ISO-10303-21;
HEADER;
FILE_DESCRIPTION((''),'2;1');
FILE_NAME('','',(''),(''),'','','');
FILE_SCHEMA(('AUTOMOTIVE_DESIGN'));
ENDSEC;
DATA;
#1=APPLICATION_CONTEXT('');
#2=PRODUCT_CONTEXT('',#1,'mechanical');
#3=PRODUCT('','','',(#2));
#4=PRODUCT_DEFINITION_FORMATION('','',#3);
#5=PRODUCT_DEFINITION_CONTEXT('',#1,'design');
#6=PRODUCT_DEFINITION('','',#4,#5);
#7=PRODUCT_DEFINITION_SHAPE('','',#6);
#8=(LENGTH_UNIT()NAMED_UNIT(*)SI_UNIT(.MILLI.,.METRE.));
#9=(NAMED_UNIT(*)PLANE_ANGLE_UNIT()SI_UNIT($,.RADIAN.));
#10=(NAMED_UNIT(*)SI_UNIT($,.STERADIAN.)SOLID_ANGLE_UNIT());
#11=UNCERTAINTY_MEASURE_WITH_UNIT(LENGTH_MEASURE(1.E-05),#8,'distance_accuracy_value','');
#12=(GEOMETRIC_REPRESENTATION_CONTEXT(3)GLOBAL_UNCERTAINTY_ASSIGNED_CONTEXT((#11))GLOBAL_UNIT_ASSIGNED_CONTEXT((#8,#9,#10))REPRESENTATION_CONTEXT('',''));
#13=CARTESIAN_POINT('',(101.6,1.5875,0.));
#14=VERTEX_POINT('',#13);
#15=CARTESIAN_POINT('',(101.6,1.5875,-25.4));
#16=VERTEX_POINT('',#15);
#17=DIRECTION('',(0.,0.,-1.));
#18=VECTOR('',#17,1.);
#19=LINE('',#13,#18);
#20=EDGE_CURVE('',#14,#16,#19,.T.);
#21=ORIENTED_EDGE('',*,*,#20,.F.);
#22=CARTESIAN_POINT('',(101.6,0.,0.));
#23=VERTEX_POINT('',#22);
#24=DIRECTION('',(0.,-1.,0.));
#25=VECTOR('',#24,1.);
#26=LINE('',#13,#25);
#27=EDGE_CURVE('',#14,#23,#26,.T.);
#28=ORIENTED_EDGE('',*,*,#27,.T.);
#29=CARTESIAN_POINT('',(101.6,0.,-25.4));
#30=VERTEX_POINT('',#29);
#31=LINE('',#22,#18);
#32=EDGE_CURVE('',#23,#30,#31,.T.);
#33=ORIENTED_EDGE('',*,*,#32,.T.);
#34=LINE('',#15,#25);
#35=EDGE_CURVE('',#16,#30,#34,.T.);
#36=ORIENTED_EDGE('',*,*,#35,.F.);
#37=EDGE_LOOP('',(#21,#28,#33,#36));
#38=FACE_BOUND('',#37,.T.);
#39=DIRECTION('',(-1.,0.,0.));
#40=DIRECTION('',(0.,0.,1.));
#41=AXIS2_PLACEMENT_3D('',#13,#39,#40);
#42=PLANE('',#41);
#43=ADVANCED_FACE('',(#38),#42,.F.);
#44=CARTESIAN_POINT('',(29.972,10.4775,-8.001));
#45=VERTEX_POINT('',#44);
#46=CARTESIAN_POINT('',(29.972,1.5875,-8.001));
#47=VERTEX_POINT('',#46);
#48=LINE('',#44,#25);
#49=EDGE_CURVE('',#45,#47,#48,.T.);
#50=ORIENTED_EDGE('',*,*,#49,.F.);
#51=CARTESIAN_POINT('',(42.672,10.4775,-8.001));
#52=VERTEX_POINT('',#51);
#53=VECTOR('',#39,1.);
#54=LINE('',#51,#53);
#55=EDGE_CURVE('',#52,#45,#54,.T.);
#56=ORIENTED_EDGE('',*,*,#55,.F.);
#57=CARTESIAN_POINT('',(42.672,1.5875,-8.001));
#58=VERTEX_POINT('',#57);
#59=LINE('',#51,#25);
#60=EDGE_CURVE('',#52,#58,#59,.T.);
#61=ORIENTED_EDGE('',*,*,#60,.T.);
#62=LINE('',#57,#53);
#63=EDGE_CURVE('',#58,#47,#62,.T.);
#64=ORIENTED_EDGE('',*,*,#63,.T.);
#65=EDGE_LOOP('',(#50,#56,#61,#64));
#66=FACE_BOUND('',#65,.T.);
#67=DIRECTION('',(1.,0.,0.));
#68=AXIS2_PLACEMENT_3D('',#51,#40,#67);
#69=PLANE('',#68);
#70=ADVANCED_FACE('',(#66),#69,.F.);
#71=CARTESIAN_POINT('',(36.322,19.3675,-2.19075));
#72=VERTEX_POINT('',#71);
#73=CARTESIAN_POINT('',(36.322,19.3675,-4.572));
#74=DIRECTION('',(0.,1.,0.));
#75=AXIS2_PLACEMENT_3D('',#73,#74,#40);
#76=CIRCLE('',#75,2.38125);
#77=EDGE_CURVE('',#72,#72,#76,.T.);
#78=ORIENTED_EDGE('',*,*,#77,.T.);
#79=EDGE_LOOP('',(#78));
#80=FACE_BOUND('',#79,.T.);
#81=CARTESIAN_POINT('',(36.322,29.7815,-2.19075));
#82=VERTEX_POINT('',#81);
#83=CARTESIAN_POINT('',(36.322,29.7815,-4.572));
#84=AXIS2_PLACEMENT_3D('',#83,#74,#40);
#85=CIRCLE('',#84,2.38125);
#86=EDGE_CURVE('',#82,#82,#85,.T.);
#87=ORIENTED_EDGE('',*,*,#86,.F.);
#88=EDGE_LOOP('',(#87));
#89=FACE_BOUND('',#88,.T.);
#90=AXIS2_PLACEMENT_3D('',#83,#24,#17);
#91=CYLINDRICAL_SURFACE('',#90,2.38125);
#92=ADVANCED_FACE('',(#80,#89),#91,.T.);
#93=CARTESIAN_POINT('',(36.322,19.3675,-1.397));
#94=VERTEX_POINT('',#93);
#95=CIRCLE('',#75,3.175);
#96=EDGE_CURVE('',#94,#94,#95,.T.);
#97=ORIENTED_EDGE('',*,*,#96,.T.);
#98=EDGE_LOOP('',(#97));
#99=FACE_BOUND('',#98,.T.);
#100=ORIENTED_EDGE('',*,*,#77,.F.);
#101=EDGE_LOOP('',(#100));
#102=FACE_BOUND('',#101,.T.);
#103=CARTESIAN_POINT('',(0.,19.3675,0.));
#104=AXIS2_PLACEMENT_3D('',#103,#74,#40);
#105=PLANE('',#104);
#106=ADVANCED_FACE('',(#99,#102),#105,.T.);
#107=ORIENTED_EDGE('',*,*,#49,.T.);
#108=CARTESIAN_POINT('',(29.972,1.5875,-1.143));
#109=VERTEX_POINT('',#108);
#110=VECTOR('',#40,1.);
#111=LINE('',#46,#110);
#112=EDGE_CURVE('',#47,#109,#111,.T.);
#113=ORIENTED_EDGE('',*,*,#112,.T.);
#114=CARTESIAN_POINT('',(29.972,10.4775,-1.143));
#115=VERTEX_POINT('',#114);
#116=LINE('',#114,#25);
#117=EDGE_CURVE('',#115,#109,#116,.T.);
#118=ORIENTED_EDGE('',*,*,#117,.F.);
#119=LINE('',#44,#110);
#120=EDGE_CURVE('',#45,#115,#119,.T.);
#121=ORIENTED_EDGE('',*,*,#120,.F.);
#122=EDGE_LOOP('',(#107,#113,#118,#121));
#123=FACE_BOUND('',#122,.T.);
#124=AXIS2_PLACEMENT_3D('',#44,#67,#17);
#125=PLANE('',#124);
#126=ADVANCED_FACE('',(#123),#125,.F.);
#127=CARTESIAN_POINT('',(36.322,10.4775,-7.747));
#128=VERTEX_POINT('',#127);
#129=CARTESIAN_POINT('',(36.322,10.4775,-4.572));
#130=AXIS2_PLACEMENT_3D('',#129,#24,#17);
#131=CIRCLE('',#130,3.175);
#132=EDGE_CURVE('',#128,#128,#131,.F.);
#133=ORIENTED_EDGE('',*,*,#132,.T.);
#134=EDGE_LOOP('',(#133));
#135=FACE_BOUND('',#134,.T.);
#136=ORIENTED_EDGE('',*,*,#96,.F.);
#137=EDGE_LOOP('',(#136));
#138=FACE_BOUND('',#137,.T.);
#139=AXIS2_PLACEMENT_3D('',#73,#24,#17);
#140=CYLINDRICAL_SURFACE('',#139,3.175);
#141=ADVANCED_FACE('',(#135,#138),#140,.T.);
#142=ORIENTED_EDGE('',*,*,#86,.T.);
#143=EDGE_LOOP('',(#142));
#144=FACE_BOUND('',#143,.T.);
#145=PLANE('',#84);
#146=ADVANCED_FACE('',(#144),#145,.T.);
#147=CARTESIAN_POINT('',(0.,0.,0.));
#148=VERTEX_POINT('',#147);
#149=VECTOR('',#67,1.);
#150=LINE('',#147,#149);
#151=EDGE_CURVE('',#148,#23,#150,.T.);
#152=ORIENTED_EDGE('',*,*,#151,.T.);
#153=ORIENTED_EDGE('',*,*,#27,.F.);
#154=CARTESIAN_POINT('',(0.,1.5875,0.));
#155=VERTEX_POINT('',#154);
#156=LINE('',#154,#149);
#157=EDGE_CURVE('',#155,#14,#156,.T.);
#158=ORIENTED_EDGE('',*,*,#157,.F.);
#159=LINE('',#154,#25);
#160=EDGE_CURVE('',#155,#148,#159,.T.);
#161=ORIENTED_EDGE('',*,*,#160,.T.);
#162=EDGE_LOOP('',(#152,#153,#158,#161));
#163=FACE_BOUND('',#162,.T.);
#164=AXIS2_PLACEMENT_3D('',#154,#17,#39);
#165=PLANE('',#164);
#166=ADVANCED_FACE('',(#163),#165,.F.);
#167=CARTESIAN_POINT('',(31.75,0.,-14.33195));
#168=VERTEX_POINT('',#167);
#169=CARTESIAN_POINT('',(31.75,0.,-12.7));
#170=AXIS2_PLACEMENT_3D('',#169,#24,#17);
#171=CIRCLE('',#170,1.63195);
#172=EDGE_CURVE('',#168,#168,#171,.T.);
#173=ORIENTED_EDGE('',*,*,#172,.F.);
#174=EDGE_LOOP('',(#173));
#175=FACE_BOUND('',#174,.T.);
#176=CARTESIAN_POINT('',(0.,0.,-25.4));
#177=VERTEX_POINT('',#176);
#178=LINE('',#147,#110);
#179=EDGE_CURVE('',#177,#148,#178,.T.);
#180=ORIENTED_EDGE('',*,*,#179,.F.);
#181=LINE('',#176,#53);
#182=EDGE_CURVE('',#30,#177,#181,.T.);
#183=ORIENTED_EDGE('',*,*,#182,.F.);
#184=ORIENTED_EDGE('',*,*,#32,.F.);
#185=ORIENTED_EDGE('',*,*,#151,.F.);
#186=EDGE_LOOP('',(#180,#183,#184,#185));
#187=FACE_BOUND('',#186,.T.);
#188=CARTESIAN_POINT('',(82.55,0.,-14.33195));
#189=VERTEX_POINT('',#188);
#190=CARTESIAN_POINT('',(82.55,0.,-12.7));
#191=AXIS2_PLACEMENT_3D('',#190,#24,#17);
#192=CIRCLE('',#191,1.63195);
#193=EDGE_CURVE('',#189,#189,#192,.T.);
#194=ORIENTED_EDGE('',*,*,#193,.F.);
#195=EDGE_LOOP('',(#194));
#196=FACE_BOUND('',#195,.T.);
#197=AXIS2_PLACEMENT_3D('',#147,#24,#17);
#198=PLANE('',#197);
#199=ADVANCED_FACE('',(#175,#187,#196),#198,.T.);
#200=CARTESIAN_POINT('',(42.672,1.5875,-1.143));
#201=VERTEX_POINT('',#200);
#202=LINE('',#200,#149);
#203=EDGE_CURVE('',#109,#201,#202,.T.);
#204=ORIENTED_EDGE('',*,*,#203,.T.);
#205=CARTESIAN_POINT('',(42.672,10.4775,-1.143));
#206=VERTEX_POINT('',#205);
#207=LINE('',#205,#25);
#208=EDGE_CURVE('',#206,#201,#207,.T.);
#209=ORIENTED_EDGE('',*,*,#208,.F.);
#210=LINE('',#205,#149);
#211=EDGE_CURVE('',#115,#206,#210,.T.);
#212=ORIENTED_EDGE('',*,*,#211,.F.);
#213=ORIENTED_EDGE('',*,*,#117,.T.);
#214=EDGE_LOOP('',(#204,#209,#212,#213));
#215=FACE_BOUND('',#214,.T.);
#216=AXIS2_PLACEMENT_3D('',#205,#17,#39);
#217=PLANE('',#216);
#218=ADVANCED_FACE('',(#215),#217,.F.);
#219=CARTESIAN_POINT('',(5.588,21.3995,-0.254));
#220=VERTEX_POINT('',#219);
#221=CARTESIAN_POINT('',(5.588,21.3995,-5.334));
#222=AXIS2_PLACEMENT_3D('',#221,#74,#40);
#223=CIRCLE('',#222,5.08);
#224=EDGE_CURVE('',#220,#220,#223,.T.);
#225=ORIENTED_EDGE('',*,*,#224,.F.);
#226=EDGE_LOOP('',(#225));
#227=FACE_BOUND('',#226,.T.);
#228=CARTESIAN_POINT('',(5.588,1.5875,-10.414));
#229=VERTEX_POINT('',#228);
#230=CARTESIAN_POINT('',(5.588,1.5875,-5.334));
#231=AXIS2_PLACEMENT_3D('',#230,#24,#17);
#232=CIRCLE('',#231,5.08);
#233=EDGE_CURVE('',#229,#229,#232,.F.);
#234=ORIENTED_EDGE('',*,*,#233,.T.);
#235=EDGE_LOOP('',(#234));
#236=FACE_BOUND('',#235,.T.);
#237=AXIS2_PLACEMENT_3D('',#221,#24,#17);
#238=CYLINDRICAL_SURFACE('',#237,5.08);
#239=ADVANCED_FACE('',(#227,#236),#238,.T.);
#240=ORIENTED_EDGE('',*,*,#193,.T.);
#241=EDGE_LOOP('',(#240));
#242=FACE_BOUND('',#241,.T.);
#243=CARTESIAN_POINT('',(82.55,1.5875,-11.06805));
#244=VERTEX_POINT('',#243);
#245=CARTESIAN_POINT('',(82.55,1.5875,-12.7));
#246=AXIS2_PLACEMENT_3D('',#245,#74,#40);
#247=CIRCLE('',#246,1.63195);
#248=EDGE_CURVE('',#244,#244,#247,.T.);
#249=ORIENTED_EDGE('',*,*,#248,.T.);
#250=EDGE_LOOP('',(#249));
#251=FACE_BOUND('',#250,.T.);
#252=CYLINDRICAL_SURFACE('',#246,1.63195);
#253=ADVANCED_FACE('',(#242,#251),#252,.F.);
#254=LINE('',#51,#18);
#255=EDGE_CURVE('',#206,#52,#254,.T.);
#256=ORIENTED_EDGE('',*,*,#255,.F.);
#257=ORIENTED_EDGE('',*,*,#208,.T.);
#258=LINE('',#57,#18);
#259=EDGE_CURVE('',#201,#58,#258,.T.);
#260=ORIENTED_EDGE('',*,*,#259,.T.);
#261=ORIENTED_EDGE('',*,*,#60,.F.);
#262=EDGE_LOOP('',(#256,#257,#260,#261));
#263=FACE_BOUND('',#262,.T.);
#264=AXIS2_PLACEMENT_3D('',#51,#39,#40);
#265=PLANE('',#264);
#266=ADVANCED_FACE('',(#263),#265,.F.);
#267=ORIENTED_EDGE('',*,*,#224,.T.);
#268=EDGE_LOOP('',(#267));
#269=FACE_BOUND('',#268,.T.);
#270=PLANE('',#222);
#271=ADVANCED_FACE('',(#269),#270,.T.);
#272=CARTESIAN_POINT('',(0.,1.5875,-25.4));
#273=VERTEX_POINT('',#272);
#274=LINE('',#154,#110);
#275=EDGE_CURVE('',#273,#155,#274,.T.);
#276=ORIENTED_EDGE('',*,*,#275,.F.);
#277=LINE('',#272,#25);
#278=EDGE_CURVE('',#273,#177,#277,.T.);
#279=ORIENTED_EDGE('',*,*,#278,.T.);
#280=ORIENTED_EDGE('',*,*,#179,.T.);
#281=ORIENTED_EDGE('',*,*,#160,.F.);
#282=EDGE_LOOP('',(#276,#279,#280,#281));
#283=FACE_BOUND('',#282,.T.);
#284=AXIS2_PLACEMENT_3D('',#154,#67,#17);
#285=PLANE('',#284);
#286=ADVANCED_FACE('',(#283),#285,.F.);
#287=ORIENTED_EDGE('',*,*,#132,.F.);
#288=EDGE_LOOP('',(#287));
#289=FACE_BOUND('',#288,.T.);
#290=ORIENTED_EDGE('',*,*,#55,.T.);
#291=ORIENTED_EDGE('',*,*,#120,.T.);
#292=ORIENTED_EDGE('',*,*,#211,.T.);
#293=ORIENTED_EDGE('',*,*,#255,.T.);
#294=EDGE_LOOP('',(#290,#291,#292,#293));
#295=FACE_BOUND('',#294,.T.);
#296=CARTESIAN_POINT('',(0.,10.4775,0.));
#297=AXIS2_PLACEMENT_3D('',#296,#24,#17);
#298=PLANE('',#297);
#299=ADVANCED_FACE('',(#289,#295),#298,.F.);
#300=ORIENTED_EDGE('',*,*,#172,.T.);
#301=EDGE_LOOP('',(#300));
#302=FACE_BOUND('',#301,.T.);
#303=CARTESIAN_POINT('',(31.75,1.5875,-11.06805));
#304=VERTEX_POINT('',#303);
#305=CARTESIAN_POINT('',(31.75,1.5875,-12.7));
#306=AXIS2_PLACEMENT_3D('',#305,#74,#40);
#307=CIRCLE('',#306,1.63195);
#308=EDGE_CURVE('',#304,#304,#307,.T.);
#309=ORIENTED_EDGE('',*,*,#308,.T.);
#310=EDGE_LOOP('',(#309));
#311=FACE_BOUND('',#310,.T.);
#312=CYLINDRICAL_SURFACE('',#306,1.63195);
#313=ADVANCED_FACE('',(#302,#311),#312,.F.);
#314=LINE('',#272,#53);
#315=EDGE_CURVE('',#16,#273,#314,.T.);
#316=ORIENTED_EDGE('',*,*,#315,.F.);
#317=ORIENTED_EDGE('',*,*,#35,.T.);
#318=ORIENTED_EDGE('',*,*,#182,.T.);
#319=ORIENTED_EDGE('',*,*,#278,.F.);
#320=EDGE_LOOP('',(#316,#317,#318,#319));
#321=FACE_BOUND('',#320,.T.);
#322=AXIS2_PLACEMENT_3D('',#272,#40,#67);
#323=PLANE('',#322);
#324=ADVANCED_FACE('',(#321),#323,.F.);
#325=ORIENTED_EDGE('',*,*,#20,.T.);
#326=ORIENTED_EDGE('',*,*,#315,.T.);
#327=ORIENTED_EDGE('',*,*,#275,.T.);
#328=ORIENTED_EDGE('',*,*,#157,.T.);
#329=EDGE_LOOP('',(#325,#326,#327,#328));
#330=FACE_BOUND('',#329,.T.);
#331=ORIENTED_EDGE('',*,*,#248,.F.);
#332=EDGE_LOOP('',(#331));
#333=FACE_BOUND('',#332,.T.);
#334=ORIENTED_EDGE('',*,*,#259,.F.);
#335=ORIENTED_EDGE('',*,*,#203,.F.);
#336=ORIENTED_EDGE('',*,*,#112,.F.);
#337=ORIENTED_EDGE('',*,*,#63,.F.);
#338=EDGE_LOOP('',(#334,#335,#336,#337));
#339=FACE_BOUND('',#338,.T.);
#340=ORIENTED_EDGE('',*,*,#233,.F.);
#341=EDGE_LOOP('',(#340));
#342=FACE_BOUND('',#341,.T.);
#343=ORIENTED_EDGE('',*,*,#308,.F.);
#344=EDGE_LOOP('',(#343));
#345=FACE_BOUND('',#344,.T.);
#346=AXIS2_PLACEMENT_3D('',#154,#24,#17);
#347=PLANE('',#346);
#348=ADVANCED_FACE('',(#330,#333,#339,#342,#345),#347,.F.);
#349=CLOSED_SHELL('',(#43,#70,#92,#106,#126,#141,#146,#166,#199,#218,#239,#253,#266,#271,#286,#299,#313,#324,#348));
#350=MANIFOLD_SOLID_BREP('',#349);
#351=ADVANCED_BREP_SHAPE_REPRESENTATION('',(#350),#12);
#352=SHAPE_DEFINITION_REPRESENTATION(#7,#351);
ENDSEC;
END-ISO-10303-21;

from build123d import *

# Parameters (mm, degrees)
SKETCH1_W                 = 101.6
SKETCH1_H                 = 25.4
BOSS_EXTRUDE1_DEPTH       = 1.5875
F_4_CLEARANCE_HOLE2_D     = 3.2639
F_4_CLEARANCE_HOLE2_DEPTH = 1.5875
SKETCH5_R                 = 5.08
BOSS_EXTRUDE2_DEPTH       = 19.812
SKETCH6_W                 = 12.7
SKETCH6_H                 = 6.858
BOSS_EXTRUDE3_DEPTH       = 8.89
SKETCH7_R                 = 3.175
BOSS_EXTRUDE4_DEPTH       = 8.89
SKETCH8_R                 = 2.38125
BOSS_EXTRUDE5_DEPTH       = 10.414


with BuildPart() as part:
    # Sketch1 → Boss-Extrude1 (new body)
    with BuildSketch(Plane(origin=(0, 0, 0), x_dir=(1, 0, 0), z_dir=(0, 1, 0))):
        with Locations((50.8, 12.7)):
            Rectangle(SKETCH1_W, SKETCH1_H)
    extrude(amount=BOSS_EXTRUDE1_DEPTH)

    # #4 Clearance Hole2
    with Locations(Plane(origin=(0, 1.5875, 0), x_dir=(1, 0, 0), z_dir=(0, 1, 0))):
        with Locations((31.75, 12.7), (82.55, 12.7)):
            Hole(F_4_CLEARANCE_HOLE2_D / 2, depth=F_4_CLEARANCE_HOLE2_DEPTH)

    # Sketch5 → Boss-Extrude2 (add)
    with BuildSketch(Plane(origin=(0, 1.5875, 0), x_dir=(1, 0, 0), z_dir=(0, 1, 0))):
        with Locations((5.588, 5.334)):
            Circle(SKETCH5_R)
    extrude(amount=BOSS_EXTRUDE2_DEPTH)

    # Sketch6 → Boss-Extrude3 (add)
    with BuildSketch(Plane(origin=(0, 1.5875, 0), x_dir=(1, 0, 0), z_dir=(0, 1, 0))):
        with Locations((36.322, 4.572)):
            Rectangle(SKETCH6_W, SKETCH6_H)
    extrude(amount=BOSS_EXTRUDE3_DEPTH)

    # Sketch7 → Boss-Extrude4 (add)
    with BuildSketch(Plane(origin=(0, 10.4775, 0), x_dir=(1, 0, 0), z_dir=(0, 1, 0))):
        with Locations((36.322, 4.572)):
            Circle(SKETCH7_R)
    extrude(amount=BOSS_EXTRUDE4_DEPTH)

    # Sketch8 → Boss-Extrude5 (add)
    with BuildSketch(Plane(origin=(0, 19.3675, 0), x_dir=(1, 0, 0), z_dir=(0, 1, 0))):
        with Locations((36.322, 4.572)):
            Circle(SKETCH8_R)
    extrude(amount=BOSS_EXTRUDE5_DEPTH)


solid = part.part
